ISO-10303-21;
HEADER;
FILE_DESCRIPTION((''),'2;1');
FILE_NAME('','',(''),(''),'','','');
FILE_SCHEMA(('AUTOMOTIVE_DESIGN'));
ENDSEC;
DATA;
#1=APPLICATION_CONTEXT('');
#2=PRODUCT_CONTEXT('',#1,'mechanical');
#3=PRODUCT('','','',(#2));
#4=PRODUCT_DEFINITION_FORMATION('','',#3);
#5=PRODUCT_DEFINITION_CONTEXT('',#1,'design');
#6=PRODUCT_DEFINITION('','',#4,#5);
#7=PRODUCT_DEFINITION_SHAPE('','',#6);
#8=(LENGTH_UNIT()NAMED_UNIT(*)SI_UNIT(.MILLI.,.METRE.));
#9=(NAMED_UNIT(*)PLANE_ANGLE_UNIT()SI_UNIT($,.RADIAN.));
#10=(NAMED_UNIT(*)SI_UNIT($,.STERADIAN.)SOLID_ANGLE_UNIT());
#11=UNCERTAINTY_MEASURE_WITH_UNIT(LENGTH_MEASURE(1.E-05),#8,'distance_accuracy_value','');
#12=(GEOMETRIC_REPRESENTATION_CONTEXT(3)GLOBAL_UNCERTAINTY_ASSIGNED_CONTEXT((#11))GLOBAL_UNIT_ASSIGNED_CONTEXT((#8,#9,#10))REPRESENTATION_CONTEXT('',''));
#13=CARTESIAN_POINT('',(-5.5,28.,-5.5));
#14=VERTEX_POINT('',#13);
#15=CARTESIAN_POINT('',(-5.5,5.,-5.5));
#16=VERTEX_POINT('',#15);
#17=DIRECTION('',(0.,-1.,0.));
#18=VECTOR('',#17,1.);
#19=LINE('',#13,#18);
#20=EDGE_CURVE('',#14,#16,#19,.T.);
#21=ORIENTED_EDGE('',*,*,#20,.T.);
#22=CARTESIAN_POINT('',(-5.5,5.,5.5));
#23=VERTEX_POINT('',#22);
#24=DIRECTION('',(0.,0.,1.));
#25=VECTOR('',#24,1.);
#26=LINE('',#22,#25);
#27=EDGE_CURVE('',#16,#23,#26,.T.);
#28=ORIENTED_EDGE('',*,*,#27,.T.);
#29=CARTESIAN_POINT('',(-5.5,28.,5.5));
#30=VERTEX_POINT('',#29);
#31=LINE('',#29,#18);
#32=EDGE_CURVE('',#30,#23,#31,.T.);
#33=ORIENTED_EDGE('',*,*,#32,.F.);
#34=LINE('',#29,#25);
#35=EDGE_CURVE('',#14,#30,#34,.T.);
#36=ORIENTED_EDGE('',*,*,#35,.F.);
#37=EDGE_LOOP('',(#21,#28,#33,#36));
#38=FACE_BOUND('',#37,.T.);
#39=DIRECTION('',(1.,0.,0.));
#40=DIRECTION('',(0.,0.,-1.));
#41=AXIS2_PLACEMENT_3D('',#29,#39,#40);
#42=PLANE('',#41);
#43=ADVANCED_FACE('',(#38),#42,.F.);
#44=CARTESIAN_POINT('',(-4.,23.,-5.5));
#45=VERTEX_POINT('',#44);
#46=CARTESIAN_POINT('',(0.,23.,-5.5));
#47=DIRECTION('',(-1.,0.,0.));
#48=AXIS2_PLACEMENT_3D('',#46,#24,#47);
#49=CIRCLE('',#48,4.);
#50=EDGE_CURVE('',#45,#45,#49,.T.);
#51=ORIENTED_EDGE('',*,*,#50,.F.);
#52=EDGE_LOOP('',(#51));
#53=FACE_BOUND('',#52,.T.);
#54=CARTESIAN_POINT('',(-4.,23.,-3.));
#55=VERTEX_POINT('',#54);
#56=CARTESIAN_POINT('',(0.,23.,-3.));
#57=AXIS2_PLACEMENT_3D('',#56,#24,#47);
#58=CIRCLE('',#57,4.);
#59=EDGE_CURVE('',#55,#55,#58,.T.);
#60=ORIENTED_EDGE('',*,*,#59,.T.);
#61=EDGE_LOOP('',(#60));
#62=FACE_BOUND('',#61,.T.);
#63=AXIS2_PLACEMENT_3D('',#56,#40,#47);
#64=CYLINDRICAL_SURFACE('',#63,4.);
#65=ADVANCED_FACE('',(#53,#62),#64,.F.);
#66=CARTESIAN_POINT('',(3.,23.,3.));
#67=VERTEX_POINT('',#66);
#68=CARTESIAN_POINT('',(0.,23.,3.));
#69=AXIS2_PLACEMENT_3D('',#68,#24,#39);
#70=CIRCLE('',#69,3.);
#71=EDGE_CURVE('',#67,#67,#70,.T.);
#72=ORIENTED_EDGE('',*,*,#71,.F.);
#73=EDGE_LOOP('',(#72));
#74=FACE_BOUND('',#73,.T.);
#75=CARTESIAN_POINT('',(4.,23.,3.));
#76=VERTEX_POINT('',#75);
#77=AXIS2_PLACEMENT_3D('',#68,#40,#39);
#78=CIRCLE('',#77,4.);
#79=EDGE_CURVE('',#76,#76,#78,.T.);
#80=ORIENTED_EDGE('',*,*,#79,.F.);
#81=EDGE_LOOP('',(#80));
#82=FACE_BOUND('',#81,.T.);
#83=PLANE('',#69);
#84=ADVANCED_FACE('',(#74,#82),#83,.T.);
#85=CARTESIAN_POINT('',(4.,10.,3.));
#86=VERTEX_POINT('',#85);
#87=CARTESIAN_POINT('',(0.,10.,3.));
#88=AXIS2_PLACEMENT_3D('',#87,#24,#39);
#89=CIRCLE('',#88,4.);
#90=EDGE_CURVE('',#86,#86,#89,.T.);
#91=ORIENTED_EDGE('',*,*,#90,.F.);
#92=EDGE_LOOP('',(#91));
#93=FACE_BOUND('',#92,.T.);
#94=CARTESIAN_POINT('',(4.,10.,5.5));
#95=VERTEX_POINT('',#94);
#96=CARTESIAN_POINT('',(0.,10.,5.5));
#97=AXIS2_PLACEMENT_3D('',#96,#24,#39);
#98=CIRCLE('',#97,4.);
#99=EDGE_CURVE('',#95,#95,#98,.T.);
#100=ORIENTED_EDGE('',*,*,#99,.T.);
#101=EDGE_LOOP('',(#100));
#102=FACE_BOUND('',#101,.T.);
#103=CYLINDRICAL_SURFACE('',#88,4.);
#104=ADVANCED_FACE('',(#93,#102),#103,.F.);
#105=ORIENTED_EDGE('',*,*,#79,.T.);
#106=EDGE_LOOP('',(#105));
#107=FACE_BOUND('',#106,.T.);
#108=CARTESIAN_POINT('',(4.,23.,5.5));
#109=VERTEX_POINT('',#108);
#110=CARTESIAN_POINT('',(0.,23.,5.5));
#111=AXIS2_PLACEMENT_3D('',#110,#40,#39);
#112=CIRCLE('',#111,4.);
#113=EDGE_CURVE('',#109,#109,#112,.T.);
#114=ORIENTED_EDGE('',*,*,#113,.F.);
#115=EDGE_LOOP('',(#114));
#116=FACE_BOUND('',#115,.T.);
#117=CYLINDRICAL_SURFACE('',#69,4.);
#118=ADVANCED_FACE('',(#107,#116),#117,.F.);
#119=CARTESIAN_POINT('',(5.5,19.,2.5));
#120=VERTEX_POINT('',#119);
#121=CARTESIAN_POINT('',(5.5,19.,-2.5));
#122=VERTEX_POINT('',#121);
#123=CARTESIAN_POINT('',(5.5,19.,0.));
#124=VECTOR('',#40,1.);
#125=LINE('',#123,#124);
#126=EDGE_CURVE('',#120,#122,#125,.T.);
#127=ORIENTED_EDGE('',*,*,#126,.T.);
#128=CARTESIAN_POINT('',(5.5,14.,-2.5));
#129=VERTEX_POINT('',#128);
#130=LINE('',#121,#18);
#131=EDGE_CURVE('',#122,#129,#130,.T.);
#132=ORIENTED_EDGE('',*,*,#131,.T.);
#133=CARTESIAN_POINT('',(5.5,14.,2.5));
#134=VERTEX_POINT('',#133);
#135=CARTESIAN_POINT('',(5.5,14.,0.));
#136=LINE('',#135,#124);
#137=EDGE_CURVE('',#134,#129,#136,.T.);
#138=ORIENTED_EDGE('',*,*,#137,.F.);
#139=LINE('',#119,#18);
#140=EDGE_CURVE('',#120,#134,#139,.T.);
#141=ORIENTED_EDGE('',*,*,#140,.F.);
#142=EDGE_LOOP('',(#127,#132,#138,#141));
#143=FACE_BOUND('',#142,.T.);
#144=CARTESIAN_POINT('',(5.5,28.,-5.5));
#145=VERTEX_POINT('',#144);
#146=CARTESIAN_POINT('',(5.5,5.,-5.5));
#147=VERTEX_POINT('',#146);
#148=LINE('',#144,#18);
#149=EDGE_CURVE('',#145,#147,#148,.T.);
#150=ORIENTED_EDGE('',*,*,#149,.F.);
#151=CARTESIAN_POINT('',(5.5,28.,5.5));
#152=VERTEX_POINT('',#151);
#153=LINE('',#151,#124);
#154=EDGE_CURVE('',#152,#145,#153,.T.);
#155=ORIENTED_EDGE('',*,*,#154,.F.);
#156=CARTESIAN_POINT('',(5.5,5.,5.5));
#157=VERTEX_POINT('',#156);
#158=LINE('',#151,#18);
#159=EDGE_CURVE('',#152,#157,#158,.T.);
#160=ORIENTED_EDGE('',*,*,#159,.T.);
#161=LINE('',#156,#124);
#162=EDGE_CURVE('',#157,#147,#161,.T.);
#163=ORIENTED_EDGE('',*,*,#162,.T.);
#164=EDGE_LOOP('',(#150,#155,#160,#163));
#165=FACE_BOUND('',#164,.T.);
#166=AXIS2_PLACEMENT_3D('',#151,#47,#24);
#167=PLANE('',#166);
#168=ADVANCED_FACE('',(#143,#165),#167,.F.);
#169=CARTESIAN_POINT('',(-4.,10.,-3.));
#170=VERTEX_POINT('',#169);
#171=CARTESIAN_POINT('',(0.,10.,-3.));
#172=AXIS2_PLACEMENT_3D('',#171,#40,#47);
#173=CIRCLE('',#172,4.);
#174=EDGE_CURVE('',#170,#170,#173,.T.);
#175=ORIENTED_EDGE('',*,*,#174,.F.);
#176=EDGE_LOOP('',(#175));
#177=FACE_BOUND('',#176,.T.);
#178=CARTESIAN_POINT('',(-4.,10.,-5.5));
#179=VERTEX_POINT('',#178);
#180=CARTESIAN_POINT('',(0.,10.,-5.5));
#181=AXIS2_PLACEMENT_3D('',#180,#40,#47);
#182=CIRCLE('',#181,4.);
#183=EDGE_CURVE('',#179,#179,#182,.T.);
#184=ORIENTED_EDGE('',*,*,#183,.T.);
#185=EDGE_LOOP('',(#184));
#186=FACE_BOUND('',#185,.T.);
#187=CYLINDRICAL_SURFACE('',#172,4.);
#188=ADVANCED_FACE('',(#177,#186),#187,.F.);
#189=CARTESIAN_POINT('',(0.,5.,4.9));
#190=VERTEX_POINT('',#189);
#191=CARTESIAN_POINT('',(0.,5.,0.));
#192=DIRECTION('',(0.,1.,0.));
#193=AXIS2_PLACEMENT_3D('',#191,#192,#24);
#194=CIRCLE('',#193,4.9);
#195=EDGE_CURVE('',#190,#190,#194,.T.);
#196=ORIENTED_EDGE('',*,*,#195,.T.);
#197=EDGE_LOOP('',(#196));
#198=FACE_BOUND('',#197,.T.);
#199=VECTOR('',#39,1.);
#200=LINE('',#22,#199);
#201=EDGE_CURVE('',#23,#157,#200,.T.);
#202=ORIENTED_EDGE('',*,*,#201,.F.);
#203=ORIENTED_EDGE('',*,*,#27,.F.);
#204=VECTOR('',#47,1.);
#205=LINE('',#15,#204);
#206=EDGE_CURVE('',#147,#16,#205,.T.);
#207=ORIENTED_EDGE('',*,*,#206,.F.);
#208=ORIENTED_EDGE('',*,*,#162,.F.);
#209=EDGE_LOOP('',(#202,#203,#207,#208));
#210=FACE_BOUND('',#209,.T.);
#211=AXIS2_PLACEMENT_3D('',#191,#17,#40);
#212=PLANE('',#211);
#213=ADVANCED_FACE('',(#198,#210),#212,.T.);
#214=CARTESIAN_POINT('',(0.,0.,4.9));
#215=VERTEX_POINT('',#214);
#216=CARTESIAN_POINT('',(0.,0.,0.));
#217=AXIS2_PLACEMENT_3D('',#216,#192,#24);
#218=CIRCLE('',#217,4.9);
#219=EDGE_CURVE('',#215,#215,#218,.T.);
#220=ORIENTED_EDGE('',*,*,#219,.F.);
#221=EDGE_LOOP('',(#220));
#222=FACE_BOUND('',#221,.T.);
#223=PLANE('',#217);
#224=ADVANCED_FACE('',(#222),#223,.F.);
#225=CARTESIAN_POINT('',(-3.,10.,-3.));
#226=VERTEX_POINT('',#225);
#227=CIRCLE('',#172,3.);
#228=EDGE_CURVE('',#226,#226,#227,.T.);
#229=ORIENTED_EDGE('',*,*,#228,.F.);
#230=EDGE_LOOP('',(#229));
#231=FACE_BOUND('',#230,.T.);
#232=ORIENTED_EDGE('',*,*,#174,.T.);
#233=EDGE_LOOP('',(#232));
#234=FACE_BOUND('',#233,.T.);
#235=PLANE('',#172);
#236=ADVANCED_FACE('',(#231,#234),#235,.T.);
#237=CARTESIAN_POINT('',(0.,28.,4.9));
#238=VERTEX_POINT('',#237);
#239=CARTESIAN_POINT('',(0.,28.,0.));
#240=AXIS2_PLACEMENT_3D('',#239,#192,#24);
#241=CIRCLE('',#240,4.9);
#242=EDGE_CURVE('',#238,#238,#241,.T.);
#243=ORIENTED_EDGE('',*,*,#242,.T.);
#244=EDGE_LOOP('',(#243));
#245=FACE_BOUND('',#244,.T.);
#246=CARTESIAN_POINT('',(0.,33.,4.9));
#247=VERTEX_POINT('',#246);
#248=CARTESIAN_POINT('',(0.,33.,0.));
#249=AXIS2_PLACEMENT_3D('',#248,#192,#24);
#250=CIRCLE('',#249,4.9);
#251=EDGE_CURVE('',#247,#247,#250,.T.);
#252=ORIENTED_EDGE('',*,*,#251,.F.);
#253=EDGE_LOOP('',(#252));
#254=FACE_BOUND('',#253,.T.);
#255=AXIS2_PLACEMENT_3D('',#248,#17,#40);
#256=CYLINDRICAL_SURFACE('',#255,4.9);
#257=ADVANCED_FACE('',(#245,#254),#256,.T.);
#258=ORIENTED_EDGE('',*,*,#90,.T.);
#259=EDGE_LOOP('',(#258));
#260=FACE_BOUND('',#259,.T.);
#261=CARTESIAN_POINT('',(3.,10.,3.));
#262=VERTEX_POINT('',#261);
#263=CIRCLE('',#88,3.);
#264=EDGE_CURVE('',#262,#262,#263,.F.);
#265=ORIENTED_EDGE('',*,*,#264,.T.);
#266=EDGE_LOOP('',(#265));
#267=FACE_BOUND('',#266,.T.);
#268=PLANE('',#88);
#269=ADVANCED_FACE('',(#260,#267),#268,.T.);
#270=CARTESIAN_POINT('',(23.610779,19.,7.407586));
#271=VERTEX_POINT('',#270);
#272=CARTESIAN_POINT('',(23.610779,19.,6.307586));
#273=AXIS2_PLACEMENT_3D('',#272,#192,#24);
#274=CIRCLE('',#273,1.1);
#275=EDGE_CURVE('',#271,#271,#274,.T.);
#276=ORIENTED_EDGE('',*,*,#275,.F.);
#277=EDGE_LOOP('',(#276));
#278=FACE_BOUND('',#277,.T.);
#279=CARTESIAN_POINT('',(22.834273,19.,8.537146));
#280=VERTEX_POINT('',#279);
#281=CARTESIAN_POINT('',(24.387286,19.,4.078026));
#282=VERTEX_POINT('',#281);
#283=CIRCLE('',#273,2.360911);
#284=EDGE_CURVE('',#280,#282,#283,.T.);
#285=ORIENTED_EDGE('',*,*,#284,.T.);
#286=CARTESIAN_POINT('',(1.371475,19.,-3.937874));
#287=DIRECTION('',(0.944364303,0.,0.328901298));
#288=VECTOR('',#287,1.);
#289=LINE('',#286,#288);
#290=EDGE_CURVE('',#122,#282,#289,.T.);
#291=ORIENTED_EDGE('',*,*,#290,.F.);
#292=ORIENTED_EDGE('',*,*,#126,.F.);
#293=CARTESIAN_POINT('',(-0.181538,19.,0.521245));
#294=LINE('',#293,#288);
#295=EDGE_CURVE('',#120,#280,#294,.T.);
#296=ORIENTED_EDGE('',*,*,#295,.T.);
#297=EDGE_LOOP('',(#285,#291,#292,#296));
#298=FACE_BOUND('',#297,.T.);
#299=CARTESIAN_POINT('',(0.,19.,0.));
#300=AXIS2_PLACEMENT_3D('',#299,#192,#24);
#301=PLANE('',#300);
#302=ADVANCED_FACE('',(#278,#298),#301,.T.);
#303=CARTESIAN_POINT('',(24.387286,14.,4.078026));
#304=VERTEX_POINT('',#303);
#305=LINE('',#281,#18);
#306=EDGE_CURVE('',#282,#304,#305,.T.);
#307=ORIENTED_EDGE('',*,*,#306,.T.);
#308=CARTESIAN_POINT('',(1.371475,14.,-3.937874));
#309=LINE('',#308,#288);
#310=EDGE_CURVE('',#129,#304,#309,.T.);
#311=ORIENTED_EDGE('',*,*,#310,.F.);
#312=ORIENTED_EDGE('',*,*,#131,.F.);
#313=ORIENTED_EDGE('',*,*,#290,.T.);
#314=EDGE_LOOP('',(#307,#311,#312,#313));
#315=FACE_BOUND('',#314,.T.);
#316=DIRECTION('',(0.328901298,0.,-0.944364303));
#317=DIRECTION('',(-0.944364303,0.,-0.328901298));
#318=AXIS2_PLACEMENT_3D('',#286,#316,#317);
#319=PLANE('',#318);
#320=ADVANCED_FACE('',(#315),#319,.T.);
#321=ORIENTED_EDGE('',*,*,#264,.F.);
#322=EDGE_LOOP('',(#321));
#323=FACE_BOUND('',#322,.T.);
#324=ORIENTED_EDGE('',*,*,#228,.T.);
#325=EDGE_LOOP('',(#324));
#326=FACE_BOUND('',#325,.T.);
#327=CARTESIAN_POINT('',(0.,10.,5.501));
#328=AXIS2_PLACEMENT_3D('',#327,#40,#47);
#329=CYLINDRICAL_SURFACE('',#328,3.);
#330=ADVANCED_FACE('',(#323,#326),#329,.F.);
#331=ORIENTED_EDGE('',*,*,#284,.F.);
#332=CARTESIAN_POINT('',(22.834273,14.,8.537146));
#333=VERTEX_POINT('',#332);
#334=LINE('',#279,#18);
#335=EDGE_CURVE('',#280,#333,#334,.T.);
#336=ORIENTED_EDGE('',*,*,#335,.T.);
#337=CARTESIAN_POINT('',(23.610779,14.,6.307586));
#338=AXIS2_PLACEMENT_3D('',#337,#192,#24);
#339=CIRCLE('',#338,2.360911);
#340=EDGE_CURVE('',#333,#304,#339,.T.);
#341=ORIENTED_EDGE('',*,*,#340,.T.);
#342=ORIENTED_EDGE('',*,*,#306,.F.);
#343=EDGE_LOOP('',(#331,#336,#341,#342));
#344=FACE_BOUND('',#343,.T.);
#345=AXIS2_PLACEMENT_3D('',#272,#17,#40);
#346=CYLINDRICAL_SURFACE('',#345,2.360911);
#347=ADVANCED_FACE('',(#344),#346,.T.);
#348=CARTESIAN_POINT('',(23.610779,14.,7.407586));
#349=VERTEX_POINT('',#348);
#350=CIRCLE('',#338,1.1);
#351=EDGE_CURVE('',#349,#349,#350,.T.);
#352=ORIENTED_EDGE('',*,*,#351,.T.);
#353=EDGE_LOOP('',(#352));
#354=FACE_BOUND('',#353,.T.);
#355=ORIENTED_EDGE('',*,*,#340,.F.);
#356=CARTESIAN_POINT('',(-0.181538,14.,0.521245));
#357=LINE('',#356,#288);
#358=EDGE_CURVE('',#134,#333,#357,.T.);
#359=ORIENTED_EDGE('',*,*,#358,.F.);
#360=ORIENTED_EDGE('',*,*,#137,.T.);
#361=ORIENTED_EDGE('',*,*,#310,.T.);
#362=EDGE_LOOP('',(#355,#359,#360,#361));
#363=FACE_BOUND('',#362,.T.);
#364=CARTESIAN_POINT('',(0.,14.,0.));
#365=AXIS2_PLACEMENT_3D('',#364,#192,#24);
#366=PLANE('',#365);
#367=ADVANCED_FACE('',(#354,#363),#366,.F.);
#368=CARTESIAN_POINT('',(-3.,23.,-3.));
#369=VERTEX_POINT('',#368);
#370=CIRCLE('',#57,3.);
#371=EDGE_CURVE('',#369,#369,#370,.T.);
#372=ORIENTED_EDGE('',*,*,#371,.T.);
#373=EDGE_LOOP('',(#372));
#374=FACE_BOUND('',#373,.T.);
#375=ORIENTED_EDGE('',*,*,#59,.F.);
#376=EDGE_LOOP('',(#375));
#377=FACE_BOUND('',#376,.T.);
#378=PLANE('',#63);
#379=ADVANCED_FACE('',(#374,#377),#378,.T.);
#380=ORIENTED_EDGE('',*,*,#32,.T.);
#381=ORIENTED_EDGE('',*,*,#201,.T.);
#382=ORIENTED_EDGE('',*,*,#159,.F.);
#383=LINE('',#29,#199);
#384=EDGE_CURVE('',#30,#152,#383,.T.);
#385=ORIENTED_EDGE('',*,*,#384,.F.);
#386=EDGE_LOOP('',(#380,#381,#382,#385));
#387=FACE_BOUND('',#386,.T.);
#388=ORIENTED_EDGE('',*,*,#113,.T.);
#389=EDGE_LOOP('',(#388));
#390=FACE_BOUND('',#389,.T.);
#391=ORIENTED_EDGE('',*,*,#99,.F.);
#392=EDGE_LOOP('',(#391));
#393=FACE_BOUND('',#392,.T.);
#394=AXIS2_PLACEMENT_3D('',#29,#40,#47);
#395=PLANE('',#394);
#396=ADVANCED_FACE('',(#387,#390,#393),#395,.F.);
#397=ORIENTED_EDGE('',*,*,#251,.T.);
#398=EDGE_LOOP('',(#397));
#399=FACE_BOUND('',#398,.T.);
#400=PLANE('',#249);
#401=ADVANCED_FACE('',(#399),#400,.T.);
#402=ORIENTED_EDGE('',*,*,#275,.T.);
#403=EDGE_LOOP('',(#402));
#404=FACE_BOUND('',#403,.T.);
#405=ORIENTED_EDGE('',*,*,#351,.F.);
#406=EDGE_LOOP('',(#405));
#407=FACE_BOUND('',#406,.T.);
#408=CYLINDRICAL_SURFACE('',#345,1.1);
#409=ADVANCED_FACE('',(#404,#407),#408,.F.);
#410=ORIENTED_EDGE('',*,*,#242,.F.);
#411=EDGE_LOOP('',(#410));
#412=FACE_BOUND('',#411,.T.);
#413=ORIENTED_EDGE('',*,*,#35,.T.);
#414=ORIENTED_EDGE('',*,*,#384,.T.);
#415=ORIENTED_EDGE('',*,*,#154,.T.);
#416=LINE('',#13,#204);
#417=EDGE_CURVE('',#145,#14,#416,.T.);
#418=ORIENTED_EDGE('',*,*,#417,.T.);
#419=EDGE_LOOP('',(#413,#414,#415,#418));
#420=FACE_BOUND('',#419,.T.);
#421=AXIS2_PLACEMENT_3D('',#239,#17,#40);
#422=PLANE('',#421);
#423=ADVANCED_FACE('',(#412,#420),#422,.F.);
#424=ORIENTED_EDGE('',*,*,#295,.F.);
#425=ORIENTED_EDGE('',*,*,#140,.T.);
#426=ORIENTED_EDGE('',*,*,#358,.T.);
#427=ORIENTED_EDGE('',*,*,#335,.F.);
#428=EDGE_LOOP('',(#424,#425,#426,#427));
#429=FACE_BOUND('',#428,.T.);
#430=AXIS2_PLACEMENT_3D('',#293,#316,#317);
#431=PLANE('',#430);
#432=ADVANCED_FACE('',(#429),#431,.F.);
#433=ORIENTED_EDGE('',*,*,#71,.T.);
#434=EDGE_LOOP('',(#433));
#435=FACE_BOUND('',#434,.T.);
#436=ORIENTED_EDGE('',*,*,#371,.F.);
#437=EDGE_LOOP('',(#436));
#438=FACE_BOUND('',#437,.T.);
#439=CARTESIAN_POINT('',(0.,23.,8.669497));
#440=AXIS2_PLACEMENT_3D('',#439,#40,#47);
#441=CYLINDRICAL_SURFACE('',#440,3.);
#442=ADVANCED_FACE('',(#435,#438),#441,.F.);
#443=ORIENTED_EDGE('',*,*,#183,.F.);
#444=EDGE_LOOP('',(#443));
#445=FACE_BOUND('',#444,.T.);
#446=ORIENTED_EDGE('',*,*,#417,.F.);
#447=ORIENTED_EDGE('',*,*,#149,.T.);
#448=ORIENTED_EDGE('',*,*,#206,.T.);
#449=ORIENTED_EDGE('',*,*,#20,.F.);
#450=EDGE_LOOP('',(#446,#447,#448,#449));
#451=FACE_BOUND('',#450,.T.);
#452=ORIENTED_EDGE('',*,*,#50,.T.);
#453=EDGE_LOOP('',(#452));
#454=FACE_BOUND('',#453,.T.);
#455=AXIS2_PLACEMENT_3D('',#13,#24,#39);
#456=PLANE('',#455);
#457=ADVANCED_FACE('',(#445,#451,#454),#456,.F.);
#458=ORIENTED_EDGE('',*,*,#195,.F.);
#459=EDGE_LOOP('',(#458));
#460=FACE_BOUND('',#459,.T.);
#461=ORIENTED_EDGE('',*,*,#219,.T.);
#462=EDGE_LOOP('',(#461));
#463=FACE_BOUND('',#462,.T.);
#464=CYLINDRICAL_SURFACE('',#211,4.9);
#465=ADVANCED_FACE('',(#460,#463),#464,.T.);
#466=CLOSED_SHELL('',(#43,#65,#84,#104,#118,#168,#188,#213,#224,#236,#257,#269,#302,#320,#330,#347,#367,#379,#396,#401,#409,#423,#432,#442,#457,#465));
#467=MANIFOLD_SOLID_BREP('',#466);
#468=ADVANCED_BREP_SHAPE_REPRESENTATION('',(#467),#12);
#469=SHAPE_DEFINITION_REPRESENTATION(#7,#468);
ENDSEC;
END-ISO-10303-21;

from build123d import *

# Parameters (mm, degrees)
SKETCH1_R           = 4.9
BOSS_EXTRUDE1_DEPTH = 5
SKETCH2_W           = 11
SKETCH2_H           = 11
BOSS_EXTRUDE2_DEPTH = 23
SKETCH3_R           = 4
CUT_EXTRUDE1_DEPTH  = 2.5
SKETCH4_R           = 4
CUT_EXTRUDE2_DEPTH  = 2.5
SKETCH5_R           = 3
CUT_EXTRUDE3_DEPTH  = 6
SKETCH6_R           = 4.9
BOSS_EXTRUDE3_DEPTH = 5
SKETCH7_R           = 1.1
BOSS_EXTRUDE4_DEPTH = 2.5


with BuildPart() as part:
    # Sketch1 → Boss-Extrude1 (new body)
    with BuildSketch(Plane(origin=(0, 0, 0), x_dir=(1, 0, 0), z_dir=(0, 1, 0))):
        Circle(SKETCH1_R)
    extrude(amount=BOSS_EXTRUDE1_DEPTH)

    # Sketch2 → Boss-Extrude2 (add)
    with BuildSketch(Plane(origin=(0, 5, 0), x_dir=(1, 0, 0), z_dir=(0, 1, 0))):
        Rectangle(SKETCH2_W, SKETCH2_H)
    extrude(amount=BOSS_EXTRUDE2_DEPTH)

    # Sketch3 → Cut-Extrude1 (cut)
    with BuildSketch(Plane.XY.offset(5.5)):
        with Locations((0, 10)):
            Circle(SKETCH3_R)
    cut_extrude1 = extrude(amount=-CUT_EXTRUDE1_DEPTH, mode=Mode.SUBTRACT)

    # Sketch4 → Cut-Extrude2 (cut)
    with BuildSketch(Plane(origin=(0, 0, -5.5), x_dir=(-1, 0, 0), z_dir=(0, 0, -1))):
        with Locations((0, 10)):
            Circle(SKETCH4_R)
    cut_extrude2 = extrude(amount=-CUT_EXTRUDE2_DEPTH, mode=Mode.SUBTRACT)

    # Sketch5 → Cut-Extrude3 (cut)
    with BuildSketch(Plane(origin=(0, 0, -3), x_dir=(-1, 0, 0), z_dir=(0, 0, -1))):
        with Locations((0, 10)):
            Circle(SKETCH5_R)
    cut_extrude3 = extrude(amount=-CUT_EXTRUDE3_DEPTH, mode=Mode.SUBTRACT)

    # Sketch6 → Boss-Extrude3 (add)
    with BuildSketch(Plane(origin=(0, 28, 0), x_dir=(1, 0, 0), z_dir=(0, 1, 0))):
        Circle(SKETCH6_R)
    extrude(amount=BOSS_EXTRUDE3_DEPTH)

    # Sketch7 → Boss-Extrude4 (add, symmetric)
    with BuildSketch(Plane(origin=(0, 16.5, 0), x_dir=(1, 0, 0), z_dir=(0, 1, 0))):
        with BuildLine():
            Line((5.5, -2.5), (22.834272834, -8.537145633))
            ThreePointArc((22.834272834, -8.537145633), (25.840339287, -7.084092403), (24.387286057, -4.07802595))
            Line((24.387286057, -4.07802595), (5.5, 2.5))
            Line((5.5, 2.5), (5.5, 0))
            Line((5.5, 0), (5.5, -2.5))
        make_face()
        with Locations((23.610779446, -6.307585792)):
            Circle(SKETCH7_R, mode=Mode.SUBTRACT)
    extrude(amount=BOSS_EXTRUDE4_DEPTH, both=True)

    # Mirror1: Cut-Extrude1 across plane
    add(cut_extrude1.mirror(Plane.ZX.offset(16.5)), mode=Mode.SUBTRACT)

    # Mirror2: Cut-Extrude2 across plane
    add(cut_extrude2.mirror(Plane.ZX.offset(16.5)), mode=Mode.SUBTRACT)

    # Mirror3: Cut-Extrude3 across plane
    add(cut_extrude3.mirror(Plane.ZX.offset(16.5)), mode=Mode.SUBTRACT)


solid = part.part
